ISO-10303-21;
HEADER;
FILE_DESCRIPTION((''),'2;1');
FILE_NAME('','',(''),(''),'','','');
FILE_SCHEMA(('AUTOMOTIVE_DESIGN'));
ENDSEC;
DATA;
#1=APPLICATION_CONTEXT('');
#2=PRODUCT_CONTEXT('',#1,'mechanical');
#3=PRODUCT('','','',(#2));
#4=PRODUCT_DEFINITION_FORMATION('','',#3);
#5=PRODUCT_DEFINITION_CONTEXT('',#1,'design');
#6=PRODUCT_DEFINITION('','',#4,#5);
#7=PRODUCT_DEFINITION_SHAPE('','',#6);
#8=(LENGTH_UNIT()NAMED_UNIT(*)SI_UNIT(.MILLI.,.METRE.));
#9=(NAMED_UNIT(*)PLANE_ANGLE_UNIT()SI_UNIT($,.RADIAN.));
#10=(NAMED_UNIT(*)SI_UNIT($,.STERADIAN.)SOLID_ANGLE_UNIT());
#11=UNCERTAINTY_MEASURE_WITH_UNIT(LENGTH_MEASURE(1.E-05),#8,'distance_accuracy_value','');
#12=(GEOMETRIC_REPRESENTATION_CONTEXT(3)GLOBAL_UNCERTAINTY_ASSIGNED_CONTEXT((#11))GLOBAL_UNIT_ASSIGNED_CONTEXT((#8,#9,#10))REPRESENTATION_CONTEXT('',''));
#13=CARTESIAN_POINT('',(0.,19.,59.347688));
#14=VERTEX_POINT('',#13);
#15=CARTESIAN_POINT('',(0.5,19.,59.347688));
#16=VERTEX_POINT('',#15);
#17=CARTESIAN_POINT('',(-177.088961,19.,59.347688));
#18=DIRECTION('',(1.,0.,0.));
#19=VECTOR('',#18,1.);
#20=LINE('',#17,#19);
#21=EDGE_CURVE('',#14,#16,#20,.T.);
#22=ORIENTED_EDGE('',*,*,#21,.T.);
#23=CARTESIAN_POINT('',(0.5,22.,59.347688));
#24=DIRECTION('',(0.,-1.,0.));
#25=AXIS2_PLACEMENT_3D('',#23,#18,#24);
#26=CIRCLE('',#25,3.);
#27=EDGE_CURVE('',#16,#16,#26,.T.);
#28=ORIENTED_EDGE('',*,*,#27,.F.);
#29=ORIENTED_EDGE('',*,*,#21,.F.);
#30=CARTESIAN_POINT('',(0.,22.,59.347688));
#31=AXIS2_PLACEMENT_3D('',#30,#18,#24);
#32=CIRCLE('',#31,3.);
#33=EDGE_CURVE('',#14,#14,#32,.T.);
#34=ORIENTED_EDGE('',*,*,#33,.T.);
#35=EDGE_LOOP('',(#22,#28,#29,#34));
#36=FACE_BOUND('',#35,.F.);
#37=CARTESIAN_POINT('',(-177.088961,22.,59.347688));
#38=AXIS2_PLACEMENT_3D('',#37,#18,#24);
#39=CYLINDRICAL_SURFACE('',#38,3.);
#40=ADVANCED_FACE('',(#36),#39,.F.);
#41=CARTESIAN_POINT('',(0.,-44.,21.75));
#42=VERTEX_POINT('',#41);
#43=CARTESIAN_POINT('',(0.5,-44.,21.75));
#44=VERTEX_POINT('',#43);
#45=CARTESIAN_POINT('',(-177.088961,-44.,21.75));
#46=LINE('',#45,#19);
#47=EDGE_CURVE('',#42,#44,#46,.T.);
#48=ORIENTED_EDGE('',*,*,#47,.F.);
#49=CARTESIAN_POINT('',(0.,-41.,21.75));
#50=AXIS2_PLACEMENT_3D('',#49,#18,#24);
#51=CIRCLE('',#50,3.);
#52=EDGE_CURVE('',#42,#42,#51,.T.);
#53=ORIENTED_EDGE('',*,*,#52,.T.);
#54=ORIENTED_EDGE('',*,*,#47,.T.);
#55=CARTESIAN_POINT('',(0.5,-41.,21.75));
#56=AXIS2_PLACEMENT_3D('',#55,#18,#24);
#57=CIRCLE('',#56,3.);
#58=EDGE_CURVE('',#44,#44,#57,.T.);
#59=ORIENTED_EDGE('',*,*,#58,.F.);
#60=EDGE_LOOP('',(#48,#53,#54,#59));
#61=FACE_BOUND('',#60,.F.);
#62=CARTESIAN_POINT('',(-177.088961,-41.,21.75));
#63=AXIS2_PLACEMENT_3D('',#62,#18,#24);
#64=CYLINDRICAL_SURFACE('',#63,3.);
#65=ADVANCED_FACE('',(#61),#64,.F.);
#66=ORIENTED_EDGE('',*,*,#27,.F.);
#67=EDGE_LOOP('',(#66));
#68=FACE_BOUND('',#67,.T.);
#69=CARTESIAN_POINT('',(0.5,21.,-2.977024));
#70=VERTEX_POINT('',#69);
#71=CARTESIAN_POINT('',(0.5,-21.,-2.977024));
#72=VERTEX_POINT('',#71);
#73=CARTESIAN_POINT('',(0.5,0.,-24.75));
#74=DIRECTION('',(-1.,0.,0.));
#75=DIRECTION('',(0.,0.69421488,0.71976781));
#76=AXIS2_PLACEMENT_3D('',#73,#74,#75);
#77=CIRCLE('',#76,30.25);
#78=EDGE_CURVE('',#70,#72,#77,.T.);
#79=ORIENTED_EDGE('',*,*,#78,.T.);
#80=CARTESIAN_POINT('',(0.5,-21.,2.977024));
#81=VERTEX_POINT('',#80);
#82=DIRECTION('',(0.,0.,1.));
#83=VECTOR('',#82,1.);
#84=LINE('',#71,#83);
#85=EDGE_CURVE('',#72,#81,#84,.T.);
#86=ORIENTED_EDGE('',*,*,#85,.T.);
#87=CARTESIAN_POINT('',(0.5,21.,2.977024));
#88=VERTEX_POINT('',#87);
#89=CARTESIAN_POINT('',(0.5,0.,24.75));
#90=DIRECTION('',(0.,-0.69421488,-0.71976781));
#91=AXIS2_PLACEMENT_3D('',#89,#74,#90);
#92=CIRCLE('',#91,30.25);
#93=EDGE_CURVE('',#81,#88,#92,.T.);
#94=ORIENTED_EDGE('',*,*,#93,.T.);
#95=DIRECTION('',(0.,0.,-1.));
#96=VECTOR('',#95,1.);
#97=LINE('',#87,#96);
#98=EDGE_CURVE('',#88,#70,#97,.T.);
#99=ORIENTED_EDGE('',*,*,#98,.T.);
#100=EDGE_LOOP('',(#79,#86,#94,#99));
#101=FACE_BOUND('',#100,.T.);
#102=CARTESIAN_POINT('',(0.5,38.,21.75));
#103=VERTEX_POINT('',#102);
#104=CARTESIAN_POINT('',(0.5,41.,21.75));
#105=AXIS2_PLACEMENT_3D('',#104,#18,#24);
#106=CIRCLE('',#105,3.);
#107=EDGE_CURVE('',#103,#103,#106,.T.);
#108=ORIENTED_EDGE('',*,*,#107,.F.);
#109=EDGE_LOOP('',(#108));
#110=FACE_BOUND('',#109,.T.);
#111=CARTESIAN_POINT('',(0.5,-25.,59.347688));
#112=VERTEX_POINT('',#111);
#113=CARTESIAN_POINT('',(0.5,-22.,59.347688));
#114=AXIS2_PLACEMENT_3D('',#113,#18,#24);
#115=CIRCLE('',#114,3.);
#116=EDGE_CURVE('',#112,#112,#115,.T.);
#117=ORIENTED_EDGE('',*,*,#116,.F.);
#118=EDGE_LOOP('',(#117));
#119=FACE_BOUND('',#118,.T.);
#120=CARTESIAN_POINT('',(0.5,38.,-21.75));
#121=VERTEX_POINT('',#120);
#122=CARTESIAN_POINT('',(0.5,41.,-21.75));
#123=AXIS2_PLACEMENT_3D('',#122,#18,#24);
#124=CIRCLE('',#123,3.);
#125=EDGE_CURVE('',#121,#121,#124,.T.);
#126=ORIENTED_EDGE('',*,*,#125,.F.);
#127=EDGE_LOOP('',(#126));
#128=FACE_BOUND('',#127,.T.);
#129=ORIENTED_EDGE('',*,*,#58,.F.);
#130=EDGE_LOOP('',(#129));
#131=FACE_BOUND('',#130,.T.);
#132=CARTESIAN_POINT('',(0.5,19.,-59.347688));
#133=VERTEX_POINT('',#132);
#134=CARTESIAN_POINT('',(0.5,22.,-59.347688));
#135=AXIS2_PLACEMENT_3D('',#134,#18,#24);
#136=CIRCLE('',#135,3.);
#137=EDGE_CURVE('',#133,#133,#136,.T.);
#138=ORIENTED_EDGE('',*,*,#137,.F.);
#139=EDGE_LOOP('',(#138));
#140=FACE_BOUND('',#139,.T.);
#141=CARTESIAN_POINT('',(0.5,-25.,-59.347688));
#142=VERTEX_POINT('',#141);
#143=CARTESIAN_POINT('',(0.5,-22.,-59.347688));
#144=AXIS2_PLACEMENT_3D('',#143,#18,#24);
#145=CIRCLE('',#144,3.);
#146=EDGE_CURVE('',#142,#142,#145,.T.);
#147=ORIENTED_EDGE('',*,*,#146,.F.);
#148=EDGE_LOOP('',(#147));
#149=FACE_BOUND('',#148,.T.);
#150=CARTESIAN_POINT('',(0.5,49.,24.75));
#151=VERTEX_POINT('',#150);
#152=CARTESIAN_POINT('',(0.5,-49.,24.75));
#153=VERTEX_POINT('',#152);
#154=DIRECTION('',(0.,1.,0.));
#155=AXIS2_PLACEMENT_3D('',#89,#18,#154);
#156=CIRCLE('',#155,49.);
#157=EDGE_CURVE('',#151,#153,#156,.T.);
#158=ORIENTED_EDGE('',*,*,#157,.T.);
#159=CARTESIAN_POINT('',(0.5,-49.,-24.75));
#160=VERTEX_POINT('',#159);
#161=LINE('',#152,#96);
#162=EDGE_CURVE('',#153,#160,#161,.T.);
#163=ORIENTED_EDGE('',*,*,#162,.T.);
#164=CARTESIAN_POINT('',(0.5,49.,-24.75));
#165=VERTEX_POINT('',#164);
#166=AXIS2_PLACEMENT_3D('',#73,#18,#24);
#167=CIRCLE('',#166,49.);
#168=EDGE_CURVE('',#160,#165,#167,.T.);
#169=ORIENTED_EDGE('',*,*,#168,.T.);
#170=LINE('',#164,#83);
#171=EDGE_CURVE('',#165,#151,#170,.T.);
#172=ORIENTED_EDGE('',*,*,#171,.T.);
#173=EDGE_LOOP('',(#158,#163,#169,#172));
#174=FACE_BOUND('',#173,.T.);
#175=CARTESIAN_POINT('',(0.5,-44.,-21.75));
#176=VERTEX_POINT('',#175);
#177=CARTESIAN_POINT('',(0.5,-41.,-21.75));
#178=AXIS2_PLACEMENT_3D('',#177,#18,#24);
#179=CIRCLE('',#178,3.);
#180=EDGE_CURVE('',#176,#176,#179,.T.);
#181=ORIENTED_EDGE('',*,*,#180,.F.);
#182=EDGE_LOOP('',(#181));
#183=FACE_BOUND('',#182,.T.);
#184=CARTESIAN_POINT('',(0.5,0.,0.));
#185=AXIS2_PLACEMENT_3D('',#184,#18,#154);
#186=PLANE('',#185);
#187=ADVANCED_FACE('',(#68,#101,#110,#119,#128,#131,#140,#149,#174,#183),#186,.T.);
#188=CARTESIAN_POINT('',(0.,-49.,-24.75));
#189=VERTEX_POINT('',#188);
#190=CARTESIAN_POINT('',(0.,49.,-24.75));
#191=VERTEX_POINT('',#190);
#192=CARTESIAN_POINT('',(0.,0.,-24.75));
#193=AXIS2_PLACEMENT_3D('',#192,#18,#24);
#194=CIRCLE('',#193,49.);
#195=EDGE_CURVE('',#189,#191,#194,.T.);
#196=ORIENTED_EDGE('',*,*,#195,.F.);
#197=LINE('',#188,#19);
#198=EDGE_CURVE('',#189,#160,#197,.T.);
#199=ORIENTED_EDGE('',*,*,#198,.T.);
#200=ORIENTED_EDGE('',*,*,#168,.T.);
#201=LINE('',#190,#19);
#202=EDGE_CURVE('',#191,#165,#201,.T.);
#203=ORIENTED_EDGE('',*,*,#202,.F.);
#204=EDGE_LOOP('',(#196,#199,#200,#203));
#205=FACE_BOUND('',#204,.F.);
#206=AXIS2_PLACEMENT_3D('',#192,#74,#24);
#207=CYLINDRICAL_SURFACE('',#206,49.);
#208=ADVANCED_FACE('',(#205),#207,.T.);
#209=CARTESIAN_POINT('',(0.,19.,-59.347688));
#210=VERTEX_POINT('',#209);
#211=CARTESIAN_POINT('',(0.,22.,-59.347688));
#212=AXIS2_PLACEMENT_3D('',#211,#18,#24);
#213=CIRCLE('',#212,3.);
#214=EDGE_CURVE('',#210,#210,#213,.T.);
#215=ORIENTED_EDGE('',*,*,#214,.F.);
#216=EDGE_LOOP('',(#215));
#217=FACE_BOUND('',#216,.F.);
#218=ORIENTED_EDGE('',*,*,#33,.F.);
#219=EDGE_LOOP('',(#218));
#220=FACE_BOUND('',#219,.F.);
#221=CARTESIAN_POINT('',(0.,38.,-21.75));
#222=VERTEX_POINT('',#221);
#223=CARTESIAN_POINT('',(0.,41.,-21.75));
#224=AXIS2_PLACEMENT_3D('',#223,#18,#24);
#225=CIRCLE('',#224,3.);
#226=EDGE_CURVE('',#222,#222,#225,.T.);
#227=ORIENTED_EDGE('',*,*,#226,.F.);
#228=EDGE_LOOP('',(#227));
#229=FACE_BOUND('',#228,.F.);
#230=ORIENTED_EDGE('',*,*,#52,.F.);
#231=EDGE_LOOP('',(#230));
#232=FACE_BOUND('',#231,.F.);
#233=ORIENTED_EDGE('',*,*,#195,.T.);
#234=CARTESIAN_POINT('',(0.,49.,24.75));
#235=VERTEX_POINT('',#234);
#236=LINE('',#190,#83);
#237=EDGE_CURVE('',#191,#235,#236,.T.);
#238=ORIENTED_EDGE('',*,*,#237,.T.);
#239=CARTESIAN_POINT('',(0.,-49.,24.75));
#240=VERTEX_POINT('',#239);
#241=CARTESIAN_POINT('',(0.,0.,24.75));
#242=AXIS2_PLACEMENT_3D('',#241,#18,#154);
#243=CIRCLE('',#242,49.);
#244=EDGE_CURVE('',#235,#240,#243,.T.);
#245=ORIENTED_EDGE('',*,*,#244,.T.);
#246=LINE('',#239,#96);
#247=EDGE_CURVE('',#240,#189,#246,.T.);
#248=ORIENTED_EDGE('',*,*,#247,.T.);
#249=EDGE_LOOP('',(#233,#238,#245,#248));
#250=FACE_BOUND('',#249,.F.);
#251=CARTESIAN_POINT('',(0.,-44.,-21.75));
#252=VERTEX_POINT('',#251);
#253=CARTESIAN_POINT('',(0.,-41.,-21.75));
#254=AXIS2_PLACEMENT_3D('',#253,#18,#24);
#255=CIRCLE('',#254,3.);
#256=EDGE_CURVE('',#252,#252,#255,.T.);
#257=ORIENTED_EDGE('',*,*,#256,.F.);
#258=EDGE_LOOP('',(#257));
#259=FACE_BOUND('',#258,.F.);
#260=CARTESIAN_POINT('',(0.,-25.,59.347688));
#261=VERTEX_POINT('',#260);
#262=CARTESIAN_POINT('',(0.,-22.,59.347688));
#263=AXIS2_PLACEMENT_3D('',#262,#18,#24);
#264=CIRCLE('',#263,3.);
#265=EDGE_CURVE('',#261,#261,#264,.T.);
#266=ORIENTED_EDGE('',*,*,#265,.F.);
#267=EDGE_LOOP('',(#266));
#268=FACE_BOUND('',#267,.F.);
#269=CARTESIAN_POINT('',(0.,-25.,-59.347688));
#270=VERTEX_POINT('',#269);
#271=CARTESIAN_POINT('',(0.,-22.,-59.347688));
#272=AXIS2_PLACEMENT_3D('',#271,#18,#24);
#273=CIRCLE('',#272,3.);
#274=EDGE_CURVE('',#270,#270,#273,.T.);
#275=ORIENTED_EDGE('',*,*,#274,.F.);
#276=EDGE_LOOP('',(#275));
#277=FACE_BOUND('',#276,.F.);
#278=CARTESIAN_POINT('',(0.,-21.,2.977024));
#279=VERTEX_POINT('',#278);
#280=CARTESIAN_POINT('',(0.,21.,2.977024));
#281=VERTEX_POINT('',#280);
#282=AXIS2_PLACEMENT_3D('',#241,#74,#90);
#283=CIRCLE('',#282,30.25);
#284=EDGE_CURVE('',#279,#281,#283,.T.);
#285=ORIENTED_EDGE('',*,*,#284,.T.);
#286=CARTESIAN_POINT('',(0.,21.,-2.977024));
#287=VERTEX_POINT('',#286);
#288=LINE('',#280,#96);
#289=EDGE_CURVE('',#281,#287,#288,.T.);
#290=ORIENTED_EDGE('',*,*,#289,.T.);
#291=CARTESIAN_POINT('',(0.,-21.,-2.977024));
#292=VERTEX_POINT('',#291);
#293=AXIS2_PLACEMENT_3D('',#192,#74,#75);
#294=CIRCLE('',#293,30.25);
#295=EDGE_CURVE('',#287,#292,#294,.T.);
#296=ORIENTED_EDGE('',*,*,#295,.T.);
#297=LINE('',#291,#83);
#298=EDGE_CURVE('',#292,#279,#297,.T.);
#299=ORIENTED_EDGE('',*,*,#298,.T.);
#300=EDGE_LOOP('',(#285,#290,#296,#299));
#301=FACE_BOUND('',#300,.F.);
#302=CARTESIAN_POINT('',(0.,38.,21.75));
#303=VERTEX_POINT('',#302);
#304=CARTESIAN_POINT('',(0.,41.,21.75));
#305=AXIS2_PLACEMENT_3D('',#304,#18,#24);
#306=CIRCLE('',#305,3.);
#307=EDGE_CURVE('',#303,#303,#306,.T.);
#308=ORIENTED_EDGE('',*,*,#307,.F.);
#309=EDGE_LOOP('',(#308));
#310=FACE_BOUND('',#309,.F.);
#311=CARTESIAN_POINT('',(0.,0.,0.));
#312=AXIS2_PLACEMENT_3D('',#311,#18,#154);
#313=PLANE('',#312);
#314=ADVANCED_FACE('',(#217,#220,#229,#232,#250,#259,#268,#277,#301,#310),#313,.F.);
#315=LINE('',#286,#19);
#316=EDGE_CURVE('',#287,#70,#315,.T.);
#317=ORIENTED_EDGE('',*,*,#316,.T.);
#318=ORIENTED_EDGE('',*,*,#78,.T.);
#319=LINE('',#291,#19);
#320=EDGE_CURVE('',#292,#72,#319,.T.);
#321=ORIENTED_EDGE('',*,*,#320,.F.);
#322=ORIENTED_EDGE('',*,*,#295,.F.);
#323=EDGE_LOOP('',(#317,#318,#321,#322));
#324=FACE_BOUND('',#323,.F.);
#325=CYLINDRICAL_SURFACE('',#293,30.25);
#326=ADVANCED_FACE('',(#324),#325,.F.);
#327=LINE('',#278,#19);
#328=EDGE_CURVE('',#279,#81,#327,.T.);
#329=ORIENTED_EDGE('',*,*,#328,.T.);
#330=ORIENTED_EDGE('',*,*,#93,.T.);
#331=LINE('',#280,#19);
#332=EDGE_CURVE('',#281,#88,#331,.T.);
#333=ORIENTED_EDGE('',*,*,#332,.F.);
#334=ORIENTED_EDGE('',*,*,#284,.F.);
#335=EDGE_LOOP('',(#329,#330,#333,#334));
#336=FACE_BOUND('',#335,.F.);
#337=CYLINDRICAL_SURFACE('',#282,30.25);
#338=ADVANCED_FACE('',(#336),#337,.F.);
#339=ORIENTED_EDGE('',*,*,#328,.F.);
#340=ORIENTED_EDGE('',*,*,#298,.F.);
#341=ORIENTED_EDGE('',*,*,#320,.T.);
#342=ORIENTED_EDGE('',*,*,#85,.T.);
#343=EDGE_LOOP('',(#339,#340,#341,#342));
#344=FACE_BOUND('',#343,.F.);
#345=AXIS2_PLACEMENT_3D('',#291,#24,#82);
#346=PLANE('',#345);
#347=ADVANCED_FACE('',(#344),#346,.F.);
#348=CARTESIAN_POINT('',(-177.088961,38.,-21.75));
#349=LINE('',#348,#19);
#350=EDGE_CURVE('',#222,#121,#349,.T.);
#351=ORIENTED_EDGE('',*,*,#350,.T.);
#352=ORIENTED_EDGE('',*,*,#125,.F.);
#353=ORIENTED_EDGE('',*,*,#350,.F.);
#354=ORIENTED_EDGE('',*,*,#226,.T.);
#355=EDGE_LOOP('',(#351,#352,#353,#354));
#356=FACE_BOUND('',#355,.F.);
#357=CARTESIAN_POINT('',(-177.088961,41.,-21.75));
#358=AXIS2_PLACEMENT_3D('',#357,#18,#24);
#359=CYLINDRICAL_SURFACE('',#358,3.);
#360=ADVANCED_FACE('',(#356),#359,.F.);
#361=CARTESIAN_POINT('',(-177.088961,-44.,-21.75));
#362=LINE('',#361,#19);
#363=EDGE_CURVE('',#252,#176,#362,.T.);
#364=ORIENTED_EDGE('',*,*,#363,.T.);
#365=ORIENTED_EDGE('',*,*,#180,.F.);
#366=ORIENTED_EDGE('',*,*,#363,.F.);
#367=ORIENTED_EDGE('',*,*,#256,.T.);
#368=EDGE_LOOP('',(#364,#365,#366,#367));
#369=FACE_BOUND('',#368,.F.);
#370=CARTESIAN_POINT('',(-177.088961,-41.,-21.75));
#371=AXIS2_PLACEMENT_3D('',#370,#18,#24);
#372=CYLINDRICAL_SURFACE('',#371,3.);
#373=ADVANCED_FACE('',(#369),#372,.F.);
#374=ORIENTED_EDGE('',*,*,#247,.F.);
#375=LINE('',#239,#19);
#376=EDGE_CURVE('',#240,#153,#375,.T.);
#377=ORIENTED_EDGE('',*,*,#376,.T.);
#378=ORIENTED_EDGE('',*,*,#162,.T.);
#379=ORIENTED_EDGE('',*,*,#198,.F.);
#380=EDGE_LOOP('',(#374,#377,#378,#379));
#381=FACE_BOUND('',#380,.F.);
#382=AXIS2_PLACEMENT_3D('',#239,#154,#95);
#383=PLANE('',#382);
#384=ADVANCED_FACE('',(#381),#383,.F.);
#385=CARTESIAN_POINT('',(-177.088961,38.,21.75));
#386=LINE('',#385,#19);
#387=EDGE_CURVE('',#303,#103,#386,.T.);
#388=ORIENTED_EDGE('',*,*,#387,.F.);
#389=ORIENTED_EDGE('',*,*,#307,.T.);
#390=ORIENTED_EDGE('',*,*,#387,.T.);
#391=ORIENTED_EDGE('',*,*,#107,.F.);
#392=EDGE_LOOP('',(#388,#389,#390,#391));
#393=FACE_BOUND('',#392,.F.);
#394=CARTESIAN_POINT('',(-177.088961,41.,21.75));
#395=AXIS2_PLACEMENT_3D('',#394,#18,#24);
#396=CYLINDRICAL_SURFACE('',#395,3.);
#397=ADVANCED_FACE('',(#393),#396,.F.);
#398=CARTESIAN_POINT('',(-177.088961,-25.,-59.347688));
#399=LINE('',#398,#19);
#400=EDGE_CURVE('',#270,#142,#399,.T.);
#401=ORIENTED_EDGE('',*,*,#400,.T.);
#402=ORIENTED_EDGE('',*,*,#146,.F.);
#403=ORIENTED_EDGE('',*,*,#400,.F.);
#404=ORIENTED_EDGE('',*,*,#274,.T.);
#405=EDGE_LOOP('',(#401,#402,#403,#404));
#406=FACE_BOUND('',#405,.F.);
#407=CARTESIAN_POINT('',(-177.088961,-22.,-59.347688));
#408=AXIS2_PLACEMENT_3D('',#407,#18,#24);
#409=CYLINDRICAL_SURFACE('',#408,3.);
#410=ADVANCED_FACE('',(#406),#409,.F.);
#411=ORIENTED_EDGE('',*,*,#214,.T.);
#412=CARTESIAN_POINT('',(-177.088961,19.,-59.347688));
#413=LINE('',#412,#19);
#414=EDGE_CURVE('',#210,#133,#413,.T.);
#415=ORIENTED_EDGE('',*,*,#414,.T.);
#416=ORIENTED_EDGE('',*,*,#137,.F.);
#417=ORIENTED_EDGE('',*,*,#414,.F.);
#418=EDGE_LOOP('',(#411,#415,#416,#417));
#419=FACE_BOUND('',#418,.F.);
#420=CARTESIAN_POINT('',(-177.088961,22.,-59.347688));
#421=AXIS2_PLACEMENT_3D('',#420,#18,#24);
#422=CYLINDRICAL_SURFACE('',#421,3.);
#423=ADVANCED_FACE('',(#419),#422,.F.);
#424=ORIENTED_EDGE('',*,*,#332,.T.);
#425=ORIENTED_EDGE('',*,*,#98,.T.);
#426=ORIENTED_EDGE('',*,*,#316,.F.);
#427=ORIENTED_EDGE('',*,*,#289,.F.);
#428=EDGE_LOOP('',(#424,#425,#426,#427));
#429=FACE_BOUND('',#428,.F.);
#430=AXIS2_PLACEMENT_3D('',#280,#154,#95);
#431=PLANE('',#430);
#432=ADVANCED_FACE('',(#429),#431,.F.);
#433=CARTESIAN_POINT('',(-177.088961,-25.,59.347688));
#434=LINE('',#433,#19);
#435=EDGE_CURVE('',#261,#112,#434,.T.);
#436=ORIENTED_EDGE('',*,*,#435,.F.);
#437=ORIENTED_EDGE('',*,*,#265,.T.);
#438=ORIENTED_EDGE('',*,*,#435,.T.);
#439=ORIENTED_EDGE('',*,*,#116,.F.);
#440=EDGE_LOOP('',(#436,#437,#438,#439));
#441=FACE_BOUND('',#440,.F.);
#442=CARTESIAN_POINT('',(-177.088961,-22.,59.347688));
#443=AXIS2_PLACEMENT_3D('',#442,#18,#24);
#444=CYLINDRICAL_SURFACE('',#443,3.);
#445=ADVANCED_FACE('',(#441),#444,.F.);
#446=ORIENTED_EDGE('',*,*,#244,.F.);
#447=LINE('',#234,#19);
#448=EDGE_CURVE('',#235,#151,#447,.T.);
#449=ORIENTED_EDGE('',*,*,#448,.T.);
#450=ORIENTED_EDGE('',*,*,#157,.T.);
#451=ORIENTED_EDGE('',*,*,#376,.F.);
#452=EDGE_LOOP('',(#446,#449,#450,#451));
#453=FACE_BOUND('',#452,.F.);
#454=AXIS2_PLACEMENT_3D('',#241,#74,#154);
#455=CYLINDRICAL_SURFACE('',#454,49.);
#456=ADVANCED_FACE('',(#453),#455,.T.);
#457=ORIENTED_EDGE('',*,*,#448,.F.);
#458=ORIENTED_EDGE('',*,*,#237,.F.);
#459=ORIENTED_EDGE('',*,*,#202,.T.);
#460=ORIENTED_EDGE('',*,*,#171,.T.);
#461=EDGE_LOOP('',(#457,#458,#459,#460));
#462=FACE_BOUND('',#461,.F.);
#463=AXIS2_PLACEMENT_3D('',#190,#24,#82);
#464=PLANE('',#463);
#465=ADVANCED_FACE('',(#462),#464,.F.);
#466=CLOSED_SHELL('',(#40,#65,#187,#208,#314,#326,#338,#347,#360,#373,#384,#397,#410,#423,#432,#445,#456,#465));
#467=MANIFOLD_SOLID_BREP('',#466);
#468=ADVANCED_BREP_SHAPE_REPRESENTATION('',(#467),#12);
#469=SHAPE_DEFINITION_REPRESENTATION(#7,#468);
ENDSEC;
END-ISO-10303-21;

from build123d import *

# Parameters (mm, degrees)
F1_DEPTH = 0.5
F2_D     = 6


with BuildPart() as f1:
    # F0 (on Right) → F1 (new body)
    with BuildSketch(Plane.YZ):
        with BuildLine():
            Line((49, -24.75), (49, 24.75))
            ThreePointArc((49, 24.75), (0, 73.75), (-49, 24.75))
            Line((-49, 24.75), (-49, -24.75))
            ThreePointArc((-49, -24.75), (0, -73.75), (49, -24.75))
        make_face()
        with BuildLine():
            ThreePointArc((-21, 2.977024), (0, 55), (21, 2.977024))
            Line((21, 2.977024), (21, -2.977024))
            ThreePointArc((21, -2.977024), (0, -55), (-21, -2.977024))
            Line((-21, -2.977024), (-21, 2.977024))
        make_face(mode=Mode.SUBTRACT)
    extrude(amount=F1_DEPTH)

    # F2 (through all)
    with Locations(Plane(origin=(0, 0, 0), x_dir=(0, 1, 0), z_dir=(-1, 0, 0))):
        with Locations((22, 59.347688), (-22, 59.347688), (-41, 21.75), (-41, -21.75), (-22, -59.347688), (22, -59.347688), (41, -21.75), (41, 21.75)):
            Hole(F2_D / 2)


solid = f1.part
